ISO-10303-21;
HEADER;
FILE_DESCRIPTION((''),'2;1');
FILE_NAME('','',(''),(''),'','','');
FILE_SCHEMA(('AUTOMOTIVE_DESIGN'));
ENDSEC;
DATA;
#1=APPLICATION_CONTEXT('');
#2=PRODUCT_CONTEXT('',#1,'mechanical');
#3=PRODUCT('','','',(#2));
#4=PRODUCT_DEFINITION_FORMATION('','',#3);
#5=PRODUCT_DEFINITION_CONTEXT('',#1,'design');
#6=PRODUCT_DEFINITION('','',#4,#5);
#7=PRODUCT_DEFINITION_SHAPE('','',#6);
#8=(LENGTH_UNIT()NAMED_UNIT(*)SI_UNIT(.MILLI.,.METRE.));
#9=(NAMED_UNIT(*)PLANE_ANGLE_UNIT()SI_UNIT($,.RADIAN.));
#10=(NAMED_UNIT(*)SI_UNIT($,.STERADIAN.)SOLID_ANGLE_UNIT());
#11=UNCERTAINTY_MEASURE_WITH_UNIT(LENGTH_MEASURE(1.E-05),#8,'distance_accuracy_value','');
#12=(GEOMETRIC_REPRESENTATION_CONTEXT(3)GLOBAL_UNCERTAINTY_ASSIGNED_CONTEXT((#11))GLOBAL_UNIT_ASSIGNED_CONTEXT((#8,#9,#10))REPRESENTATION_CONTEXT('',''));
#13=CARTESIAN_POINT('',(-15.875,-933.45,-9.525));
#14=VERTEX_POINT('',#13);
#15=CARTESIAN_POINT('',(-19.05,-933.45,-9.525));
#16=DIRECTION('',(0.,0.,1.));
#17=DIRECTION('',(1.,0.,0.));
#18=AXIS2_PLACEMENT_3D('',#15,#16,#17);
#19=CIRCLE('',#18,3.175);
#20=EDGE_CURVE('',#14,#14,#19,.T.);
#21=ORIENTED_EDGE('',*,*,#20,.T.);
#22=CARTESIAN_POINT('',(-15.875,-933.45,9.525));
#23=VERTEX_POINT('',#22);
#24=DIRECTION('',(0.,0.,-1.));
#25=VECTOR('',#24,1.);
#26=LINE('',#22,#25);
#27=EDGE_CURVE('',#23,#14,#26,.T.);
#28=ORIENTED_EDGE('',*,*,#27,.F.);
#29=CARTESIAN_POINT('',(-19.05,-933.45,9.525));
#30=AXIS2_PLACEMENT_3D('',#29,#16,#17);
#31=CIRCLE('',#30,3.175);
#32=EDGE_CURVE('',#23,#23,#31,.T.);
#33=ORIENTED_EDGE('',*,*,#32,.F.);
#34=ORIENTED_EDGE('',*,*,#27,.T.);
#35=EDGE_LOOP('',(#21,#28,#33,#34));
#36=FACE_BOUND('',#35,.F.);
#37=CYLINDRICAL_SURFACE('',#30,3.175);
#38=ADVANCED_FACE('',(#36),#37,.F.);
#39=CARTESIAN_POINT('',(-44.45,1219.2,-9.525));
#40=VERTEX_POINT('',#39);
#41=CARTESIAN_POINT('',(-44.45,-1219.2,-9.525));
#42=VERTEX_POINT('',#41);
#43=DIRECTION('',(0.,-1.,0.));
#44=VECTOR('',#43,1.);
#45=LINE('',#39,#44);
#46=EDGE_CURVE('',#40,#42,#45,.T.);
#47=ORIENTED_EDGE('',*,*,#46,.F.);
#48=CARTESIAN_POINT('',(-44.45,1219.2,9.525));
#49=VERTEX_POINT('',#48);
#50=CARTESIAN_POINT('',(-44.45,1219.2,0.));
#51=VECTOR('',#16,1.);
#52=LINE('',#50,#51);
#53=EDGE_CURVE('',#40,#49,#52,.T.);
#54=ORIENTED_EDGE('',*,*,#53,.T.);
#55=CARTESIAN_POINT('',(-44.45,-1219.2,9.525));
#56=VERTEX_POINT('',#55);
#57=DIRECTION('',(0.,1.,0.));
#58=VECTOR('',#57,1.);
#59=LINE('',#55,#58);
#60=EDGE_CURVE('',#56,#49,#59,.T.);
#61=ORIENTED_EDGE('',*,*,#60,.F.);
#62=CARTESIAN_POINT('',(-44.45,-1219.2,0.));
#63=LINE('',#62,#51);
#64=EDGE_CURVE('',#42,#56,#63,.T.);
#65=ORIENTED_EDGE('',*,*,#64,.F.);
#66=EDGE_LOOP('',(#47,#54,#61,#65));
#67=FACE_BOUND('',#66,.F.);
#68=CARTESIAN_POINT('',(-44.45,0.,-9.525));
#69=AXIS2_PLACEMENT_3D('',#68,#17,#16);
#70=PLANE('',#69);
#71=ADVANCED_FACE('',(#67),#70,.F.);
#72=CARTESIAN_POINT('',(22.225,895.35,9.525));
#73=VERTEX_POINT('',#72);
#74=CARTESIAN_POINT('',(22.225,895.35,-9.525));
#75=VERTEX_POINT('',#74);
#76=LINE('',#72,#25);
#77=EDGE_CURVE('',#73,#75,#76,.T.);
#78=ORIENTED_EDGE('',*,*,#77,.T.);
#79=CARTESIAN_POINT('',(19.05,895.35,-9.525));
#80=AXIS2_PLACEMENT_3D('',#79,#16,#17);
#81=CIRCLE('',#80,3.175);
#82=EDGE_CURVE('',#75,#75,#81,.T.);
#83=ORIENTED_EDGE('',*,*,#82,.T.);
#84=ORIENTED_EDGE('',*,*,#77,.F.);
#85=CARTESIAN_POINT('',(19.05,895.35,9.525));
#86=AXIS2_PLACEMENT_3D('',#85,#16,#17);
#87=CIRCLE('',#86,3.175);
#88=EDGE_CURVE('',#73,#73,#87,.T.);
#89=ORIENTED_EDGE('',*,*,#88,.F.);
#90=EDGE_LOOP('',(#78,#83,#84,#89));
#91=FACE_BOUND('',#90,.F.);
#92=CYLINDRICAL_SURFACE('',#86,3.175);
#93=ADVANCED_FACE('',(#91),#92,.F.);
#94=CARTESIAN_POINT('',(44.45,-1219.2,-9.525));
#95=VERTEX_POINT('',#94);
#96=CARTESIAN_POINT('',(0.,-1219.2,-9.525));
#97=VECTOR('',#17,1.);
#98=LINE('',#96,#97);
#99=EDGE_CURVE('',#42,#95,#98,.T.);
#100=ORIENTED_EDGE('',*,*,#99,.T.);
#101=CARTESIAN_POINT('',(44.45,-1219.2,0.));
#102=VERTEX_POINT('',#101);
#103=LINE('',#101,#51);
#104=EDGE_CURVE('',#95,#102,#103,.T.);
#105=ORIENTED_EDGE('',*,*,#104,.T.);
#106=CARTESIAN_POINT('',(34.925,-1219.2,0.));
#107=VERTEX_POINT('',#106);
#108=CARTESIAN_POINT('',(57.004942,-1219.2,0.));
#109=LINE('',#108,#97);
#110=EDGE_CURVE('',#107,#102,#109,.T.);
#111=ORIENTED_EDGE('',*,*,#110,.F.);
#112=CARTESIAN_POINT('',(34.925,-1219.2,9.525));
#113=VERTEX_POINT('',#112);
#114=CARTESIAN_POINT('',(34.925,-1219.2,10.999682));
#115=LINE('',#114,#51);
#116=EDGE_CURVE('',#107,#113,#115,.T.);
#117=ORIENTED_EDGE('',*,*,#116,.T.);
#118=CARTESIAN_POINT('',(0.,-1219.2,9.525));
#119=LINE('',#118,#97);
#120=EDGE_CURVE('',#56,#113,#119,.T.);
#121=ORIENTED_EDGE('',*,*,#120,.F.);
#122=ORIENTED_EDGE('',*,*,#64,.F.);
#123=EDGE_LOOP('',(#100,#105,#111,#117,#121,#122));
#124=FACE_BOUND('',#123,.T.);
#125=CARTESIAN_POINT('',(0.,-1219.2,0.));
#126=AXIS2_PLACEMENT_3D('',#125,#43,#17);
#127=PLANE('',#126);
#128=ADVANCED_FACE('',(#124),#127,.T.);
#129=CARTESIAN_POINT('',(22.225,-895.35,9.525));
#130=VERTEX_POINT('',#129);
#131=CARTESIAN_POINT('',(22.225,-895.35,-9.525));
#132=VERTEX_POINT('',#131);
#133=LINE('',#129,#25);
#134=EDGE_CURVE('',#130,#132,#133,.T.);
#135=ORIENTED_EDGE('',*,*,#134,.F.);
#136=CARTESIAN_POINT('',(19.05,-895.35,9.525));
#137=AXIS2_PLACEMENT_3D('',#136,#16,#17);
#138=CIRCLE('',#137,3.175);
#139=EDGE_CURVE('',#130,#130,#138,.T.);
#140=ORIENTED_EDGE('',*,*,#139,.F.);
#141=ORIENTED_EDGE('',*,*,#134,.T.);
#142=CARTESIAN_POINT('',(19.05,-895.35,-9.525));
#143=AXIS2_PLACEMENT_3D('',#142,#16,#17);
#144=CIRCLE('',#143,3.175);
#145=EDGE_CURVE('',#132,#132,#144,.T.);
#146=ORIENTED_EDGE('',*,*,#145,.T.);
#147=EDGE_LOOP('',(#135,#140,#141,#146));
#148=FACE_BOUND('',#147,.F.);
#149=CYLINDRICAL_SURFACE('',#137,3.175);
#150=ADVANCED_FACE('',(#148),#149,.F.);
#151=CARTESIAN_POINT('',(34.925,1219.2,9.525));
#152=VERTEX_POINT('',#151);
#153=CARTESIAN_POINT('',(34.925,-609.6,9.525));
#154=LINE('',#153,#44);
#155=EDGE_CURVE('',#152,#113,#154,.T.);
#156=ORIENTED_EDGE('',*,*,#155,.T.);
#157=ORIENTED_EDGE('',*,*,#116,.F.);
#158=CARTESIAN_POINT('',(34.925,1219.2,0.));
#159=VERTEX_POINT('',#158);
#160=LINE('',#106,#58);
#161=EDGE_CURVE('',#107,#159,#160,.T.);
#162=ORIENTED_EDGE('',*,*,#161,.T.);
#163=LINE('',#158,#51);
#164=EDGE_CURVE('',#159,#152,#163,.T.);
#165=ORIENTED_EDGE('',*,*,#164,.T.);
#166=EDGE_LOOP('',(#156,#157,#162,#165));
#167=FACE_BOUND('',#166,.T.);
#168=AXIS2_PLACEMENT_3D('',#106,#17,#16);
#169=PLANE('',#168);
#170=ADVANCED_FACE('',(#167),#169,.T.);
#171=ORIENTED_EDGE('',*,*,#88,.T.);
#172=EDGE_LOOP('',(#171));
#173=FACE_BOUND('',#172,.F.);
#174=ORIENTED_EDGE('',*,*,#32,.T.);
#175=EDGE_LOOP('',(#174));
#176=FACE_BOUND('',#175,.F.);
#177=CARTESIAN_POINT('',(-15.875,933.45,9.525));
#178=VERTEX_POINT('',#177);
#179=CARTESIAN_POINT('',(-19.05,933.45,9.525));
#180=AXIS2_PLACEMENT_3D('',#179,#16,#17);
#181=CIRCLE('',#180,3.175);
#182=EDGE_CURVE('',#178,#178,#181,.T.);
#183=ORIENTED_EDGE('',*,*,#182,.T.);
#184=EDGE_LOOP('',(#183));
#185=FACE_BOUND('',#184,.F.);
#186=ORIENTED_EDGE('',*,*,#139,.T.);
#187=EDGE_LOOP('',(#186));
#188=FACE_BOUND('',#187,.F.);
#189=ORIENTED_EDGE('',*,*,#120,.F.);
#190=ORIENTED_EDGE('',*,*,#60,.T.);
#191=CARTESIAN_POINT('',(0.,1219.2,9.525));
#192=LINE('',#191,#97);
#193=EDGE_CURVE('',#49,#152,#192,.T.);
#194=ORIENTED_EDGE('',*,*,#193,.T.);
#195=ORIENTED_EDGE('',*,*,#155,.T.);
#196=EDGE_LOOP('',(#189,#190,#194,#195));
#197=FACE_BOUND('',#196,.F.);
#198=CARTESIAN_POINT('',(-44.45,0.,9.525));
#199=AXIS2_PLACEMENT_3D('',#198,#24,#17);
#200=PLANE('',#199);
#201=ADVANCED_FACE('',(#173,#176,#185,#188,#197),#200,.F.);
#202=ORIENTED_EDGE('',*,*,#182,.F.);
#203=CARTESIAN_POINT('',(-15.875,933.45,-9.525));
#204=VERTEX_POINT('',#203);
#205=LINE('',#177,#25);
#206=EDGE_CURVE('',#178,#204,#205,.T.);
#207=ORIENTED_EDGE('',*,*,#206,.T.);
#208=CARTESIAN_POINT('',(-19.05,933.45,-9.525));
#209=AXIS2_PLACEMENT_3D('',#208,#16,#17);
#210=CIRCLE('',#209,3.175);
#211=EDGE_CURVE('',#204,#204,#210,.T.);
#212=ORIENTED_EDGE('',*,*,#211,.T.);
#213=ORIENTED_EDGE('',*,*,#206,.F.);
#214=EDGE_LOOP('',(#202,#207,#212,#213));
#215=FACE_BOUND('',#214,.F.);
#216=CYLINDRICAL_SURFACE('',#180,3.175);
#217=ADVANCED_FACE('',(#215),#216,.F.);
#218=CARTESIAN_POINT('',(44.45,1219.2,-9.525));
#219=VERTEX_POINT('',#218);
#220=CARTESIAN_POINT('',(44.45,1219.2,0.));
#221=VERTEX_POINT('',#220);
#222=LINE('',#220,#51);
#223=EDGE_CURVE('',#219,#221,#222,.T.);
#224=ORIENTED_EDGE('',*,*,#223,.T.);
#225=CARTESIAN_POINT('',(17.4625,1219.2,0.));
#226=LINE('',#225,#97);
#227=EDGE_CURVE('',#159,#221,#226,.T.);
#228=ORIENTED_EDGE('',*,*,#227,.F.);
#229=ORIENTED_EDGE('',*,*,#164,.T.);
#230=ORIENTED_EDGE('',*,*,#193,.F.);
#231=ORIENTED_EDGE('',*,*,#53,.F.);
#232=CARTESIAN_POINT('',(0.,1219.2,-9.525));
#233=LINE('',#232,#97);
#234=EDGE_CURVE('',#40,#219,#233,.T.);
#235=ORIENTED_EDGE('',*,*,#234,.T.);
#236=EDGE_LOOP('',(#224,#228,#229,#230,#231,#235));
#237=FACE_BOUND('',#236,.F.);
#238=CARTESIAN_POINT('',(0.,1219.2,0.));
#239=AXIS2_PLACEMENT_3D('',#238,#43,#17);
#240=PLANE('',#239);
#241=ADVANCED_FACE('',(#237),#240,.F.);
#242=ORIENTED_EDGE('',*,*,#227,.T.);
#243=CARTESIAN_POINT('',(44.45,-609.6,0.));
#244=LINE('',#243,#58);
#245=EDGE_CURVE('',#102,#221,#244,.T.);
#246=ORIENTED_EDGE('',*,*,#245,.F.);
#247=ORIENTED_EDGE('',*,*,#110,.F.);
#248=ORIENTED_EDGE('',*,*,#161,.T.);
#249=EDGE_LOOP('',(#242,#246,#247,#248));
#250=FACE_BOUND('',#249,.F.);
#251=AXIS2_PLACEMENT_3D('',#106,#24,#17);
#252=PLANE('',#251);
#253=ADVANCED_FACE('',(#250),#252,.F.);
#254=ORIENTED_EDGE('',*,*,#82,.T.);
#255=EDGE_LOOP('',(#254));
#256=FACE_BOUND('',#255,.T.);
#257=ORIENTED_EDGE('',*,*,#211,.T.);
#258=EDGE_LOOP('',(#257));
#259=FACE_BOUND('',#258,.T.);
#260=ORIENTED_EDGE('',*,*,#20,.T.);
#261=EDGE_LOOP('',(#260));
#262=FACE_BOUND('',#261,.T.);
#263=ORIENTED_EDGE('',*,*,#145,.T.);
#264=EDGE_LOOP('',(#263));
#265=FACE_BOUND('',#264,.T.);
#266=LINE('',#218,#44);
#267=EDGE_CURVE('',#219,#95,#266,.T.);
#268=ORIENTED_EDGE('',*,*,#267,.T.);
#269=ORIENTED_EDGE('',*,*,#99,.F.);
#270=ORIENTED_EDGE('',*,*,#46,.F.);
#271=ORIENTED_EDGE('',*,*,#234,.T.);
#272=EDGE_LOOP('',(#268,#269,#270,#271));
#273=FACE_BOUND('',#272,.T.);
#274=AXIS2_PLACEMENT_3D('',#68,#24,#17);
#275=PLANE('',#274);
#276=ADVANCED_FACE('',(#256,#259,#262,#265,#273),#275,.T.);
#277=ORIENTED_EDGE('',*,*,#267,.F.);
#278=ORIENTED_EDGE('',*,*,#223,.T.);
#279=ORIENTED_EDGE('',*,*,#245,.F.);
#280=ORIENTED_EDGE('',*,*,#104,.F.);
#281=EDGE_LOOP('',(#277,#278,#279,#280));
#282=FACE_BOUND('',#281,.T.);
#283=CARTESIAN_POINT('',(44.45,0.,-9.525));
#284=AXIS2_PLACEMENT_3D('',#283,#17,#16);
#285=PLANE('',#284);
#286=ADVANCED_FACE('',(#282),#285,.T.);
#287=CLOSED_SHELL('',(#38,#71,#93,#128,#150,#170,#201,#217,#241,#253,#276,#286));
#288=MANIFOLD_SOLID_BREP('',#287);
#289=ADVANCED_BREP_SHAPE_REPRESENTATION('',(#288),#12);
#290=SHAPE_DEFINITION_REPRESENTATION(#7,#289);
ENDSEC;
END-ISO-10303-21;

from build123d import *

# Parameters (mm, degrees)
F0_W     = 88.9
F0_H     = 19.05
F1_DEPTH = 1219.2
F2_W     = 44.1598849037
F2_H     = 21.9993637201
F3_DEPTH = 2438.401
F5_R     = 3.175
F6_DEPTH = 19.05


with BuildPart() as f1:
    # F0 (on Front) → F1 (new body, symmetric)
    with BuildSketch(Plane.XZ):
        Rectangle(F0_W, F0_H)
    extrude(amount=F1_DEPTH, both=True)

    # F2 (on face) → F3 (cut, through all)
    with BuildSketch(Plane.XZ.offset(1219.2)):
        with Locations((57.0049424518, 10.9996818601)):
            Rectangle(F2_W, F2_H)
    extrude(amount=-F3_DEPTH, mode=Mode.SUBTRACT)

    # F5 (on face) → F6 (cut, through all)
    with BuildSketch(Plane.XY.offset(9.525)):
        with Locations((19.05, -895.35)):
            Circle(F5_R)
        with Locations((-19.05, -933.45)):
            Circle(F5_R)
        with Locations((-19.05, 933.45)):
            Circle(F5_R)
        with Locations((19.05, 895.35)):
            Circle(F5_R)
    extrude(amount=-F6_DEPTH, mode=Mode.SUBTRACT)


solid = f1.part
